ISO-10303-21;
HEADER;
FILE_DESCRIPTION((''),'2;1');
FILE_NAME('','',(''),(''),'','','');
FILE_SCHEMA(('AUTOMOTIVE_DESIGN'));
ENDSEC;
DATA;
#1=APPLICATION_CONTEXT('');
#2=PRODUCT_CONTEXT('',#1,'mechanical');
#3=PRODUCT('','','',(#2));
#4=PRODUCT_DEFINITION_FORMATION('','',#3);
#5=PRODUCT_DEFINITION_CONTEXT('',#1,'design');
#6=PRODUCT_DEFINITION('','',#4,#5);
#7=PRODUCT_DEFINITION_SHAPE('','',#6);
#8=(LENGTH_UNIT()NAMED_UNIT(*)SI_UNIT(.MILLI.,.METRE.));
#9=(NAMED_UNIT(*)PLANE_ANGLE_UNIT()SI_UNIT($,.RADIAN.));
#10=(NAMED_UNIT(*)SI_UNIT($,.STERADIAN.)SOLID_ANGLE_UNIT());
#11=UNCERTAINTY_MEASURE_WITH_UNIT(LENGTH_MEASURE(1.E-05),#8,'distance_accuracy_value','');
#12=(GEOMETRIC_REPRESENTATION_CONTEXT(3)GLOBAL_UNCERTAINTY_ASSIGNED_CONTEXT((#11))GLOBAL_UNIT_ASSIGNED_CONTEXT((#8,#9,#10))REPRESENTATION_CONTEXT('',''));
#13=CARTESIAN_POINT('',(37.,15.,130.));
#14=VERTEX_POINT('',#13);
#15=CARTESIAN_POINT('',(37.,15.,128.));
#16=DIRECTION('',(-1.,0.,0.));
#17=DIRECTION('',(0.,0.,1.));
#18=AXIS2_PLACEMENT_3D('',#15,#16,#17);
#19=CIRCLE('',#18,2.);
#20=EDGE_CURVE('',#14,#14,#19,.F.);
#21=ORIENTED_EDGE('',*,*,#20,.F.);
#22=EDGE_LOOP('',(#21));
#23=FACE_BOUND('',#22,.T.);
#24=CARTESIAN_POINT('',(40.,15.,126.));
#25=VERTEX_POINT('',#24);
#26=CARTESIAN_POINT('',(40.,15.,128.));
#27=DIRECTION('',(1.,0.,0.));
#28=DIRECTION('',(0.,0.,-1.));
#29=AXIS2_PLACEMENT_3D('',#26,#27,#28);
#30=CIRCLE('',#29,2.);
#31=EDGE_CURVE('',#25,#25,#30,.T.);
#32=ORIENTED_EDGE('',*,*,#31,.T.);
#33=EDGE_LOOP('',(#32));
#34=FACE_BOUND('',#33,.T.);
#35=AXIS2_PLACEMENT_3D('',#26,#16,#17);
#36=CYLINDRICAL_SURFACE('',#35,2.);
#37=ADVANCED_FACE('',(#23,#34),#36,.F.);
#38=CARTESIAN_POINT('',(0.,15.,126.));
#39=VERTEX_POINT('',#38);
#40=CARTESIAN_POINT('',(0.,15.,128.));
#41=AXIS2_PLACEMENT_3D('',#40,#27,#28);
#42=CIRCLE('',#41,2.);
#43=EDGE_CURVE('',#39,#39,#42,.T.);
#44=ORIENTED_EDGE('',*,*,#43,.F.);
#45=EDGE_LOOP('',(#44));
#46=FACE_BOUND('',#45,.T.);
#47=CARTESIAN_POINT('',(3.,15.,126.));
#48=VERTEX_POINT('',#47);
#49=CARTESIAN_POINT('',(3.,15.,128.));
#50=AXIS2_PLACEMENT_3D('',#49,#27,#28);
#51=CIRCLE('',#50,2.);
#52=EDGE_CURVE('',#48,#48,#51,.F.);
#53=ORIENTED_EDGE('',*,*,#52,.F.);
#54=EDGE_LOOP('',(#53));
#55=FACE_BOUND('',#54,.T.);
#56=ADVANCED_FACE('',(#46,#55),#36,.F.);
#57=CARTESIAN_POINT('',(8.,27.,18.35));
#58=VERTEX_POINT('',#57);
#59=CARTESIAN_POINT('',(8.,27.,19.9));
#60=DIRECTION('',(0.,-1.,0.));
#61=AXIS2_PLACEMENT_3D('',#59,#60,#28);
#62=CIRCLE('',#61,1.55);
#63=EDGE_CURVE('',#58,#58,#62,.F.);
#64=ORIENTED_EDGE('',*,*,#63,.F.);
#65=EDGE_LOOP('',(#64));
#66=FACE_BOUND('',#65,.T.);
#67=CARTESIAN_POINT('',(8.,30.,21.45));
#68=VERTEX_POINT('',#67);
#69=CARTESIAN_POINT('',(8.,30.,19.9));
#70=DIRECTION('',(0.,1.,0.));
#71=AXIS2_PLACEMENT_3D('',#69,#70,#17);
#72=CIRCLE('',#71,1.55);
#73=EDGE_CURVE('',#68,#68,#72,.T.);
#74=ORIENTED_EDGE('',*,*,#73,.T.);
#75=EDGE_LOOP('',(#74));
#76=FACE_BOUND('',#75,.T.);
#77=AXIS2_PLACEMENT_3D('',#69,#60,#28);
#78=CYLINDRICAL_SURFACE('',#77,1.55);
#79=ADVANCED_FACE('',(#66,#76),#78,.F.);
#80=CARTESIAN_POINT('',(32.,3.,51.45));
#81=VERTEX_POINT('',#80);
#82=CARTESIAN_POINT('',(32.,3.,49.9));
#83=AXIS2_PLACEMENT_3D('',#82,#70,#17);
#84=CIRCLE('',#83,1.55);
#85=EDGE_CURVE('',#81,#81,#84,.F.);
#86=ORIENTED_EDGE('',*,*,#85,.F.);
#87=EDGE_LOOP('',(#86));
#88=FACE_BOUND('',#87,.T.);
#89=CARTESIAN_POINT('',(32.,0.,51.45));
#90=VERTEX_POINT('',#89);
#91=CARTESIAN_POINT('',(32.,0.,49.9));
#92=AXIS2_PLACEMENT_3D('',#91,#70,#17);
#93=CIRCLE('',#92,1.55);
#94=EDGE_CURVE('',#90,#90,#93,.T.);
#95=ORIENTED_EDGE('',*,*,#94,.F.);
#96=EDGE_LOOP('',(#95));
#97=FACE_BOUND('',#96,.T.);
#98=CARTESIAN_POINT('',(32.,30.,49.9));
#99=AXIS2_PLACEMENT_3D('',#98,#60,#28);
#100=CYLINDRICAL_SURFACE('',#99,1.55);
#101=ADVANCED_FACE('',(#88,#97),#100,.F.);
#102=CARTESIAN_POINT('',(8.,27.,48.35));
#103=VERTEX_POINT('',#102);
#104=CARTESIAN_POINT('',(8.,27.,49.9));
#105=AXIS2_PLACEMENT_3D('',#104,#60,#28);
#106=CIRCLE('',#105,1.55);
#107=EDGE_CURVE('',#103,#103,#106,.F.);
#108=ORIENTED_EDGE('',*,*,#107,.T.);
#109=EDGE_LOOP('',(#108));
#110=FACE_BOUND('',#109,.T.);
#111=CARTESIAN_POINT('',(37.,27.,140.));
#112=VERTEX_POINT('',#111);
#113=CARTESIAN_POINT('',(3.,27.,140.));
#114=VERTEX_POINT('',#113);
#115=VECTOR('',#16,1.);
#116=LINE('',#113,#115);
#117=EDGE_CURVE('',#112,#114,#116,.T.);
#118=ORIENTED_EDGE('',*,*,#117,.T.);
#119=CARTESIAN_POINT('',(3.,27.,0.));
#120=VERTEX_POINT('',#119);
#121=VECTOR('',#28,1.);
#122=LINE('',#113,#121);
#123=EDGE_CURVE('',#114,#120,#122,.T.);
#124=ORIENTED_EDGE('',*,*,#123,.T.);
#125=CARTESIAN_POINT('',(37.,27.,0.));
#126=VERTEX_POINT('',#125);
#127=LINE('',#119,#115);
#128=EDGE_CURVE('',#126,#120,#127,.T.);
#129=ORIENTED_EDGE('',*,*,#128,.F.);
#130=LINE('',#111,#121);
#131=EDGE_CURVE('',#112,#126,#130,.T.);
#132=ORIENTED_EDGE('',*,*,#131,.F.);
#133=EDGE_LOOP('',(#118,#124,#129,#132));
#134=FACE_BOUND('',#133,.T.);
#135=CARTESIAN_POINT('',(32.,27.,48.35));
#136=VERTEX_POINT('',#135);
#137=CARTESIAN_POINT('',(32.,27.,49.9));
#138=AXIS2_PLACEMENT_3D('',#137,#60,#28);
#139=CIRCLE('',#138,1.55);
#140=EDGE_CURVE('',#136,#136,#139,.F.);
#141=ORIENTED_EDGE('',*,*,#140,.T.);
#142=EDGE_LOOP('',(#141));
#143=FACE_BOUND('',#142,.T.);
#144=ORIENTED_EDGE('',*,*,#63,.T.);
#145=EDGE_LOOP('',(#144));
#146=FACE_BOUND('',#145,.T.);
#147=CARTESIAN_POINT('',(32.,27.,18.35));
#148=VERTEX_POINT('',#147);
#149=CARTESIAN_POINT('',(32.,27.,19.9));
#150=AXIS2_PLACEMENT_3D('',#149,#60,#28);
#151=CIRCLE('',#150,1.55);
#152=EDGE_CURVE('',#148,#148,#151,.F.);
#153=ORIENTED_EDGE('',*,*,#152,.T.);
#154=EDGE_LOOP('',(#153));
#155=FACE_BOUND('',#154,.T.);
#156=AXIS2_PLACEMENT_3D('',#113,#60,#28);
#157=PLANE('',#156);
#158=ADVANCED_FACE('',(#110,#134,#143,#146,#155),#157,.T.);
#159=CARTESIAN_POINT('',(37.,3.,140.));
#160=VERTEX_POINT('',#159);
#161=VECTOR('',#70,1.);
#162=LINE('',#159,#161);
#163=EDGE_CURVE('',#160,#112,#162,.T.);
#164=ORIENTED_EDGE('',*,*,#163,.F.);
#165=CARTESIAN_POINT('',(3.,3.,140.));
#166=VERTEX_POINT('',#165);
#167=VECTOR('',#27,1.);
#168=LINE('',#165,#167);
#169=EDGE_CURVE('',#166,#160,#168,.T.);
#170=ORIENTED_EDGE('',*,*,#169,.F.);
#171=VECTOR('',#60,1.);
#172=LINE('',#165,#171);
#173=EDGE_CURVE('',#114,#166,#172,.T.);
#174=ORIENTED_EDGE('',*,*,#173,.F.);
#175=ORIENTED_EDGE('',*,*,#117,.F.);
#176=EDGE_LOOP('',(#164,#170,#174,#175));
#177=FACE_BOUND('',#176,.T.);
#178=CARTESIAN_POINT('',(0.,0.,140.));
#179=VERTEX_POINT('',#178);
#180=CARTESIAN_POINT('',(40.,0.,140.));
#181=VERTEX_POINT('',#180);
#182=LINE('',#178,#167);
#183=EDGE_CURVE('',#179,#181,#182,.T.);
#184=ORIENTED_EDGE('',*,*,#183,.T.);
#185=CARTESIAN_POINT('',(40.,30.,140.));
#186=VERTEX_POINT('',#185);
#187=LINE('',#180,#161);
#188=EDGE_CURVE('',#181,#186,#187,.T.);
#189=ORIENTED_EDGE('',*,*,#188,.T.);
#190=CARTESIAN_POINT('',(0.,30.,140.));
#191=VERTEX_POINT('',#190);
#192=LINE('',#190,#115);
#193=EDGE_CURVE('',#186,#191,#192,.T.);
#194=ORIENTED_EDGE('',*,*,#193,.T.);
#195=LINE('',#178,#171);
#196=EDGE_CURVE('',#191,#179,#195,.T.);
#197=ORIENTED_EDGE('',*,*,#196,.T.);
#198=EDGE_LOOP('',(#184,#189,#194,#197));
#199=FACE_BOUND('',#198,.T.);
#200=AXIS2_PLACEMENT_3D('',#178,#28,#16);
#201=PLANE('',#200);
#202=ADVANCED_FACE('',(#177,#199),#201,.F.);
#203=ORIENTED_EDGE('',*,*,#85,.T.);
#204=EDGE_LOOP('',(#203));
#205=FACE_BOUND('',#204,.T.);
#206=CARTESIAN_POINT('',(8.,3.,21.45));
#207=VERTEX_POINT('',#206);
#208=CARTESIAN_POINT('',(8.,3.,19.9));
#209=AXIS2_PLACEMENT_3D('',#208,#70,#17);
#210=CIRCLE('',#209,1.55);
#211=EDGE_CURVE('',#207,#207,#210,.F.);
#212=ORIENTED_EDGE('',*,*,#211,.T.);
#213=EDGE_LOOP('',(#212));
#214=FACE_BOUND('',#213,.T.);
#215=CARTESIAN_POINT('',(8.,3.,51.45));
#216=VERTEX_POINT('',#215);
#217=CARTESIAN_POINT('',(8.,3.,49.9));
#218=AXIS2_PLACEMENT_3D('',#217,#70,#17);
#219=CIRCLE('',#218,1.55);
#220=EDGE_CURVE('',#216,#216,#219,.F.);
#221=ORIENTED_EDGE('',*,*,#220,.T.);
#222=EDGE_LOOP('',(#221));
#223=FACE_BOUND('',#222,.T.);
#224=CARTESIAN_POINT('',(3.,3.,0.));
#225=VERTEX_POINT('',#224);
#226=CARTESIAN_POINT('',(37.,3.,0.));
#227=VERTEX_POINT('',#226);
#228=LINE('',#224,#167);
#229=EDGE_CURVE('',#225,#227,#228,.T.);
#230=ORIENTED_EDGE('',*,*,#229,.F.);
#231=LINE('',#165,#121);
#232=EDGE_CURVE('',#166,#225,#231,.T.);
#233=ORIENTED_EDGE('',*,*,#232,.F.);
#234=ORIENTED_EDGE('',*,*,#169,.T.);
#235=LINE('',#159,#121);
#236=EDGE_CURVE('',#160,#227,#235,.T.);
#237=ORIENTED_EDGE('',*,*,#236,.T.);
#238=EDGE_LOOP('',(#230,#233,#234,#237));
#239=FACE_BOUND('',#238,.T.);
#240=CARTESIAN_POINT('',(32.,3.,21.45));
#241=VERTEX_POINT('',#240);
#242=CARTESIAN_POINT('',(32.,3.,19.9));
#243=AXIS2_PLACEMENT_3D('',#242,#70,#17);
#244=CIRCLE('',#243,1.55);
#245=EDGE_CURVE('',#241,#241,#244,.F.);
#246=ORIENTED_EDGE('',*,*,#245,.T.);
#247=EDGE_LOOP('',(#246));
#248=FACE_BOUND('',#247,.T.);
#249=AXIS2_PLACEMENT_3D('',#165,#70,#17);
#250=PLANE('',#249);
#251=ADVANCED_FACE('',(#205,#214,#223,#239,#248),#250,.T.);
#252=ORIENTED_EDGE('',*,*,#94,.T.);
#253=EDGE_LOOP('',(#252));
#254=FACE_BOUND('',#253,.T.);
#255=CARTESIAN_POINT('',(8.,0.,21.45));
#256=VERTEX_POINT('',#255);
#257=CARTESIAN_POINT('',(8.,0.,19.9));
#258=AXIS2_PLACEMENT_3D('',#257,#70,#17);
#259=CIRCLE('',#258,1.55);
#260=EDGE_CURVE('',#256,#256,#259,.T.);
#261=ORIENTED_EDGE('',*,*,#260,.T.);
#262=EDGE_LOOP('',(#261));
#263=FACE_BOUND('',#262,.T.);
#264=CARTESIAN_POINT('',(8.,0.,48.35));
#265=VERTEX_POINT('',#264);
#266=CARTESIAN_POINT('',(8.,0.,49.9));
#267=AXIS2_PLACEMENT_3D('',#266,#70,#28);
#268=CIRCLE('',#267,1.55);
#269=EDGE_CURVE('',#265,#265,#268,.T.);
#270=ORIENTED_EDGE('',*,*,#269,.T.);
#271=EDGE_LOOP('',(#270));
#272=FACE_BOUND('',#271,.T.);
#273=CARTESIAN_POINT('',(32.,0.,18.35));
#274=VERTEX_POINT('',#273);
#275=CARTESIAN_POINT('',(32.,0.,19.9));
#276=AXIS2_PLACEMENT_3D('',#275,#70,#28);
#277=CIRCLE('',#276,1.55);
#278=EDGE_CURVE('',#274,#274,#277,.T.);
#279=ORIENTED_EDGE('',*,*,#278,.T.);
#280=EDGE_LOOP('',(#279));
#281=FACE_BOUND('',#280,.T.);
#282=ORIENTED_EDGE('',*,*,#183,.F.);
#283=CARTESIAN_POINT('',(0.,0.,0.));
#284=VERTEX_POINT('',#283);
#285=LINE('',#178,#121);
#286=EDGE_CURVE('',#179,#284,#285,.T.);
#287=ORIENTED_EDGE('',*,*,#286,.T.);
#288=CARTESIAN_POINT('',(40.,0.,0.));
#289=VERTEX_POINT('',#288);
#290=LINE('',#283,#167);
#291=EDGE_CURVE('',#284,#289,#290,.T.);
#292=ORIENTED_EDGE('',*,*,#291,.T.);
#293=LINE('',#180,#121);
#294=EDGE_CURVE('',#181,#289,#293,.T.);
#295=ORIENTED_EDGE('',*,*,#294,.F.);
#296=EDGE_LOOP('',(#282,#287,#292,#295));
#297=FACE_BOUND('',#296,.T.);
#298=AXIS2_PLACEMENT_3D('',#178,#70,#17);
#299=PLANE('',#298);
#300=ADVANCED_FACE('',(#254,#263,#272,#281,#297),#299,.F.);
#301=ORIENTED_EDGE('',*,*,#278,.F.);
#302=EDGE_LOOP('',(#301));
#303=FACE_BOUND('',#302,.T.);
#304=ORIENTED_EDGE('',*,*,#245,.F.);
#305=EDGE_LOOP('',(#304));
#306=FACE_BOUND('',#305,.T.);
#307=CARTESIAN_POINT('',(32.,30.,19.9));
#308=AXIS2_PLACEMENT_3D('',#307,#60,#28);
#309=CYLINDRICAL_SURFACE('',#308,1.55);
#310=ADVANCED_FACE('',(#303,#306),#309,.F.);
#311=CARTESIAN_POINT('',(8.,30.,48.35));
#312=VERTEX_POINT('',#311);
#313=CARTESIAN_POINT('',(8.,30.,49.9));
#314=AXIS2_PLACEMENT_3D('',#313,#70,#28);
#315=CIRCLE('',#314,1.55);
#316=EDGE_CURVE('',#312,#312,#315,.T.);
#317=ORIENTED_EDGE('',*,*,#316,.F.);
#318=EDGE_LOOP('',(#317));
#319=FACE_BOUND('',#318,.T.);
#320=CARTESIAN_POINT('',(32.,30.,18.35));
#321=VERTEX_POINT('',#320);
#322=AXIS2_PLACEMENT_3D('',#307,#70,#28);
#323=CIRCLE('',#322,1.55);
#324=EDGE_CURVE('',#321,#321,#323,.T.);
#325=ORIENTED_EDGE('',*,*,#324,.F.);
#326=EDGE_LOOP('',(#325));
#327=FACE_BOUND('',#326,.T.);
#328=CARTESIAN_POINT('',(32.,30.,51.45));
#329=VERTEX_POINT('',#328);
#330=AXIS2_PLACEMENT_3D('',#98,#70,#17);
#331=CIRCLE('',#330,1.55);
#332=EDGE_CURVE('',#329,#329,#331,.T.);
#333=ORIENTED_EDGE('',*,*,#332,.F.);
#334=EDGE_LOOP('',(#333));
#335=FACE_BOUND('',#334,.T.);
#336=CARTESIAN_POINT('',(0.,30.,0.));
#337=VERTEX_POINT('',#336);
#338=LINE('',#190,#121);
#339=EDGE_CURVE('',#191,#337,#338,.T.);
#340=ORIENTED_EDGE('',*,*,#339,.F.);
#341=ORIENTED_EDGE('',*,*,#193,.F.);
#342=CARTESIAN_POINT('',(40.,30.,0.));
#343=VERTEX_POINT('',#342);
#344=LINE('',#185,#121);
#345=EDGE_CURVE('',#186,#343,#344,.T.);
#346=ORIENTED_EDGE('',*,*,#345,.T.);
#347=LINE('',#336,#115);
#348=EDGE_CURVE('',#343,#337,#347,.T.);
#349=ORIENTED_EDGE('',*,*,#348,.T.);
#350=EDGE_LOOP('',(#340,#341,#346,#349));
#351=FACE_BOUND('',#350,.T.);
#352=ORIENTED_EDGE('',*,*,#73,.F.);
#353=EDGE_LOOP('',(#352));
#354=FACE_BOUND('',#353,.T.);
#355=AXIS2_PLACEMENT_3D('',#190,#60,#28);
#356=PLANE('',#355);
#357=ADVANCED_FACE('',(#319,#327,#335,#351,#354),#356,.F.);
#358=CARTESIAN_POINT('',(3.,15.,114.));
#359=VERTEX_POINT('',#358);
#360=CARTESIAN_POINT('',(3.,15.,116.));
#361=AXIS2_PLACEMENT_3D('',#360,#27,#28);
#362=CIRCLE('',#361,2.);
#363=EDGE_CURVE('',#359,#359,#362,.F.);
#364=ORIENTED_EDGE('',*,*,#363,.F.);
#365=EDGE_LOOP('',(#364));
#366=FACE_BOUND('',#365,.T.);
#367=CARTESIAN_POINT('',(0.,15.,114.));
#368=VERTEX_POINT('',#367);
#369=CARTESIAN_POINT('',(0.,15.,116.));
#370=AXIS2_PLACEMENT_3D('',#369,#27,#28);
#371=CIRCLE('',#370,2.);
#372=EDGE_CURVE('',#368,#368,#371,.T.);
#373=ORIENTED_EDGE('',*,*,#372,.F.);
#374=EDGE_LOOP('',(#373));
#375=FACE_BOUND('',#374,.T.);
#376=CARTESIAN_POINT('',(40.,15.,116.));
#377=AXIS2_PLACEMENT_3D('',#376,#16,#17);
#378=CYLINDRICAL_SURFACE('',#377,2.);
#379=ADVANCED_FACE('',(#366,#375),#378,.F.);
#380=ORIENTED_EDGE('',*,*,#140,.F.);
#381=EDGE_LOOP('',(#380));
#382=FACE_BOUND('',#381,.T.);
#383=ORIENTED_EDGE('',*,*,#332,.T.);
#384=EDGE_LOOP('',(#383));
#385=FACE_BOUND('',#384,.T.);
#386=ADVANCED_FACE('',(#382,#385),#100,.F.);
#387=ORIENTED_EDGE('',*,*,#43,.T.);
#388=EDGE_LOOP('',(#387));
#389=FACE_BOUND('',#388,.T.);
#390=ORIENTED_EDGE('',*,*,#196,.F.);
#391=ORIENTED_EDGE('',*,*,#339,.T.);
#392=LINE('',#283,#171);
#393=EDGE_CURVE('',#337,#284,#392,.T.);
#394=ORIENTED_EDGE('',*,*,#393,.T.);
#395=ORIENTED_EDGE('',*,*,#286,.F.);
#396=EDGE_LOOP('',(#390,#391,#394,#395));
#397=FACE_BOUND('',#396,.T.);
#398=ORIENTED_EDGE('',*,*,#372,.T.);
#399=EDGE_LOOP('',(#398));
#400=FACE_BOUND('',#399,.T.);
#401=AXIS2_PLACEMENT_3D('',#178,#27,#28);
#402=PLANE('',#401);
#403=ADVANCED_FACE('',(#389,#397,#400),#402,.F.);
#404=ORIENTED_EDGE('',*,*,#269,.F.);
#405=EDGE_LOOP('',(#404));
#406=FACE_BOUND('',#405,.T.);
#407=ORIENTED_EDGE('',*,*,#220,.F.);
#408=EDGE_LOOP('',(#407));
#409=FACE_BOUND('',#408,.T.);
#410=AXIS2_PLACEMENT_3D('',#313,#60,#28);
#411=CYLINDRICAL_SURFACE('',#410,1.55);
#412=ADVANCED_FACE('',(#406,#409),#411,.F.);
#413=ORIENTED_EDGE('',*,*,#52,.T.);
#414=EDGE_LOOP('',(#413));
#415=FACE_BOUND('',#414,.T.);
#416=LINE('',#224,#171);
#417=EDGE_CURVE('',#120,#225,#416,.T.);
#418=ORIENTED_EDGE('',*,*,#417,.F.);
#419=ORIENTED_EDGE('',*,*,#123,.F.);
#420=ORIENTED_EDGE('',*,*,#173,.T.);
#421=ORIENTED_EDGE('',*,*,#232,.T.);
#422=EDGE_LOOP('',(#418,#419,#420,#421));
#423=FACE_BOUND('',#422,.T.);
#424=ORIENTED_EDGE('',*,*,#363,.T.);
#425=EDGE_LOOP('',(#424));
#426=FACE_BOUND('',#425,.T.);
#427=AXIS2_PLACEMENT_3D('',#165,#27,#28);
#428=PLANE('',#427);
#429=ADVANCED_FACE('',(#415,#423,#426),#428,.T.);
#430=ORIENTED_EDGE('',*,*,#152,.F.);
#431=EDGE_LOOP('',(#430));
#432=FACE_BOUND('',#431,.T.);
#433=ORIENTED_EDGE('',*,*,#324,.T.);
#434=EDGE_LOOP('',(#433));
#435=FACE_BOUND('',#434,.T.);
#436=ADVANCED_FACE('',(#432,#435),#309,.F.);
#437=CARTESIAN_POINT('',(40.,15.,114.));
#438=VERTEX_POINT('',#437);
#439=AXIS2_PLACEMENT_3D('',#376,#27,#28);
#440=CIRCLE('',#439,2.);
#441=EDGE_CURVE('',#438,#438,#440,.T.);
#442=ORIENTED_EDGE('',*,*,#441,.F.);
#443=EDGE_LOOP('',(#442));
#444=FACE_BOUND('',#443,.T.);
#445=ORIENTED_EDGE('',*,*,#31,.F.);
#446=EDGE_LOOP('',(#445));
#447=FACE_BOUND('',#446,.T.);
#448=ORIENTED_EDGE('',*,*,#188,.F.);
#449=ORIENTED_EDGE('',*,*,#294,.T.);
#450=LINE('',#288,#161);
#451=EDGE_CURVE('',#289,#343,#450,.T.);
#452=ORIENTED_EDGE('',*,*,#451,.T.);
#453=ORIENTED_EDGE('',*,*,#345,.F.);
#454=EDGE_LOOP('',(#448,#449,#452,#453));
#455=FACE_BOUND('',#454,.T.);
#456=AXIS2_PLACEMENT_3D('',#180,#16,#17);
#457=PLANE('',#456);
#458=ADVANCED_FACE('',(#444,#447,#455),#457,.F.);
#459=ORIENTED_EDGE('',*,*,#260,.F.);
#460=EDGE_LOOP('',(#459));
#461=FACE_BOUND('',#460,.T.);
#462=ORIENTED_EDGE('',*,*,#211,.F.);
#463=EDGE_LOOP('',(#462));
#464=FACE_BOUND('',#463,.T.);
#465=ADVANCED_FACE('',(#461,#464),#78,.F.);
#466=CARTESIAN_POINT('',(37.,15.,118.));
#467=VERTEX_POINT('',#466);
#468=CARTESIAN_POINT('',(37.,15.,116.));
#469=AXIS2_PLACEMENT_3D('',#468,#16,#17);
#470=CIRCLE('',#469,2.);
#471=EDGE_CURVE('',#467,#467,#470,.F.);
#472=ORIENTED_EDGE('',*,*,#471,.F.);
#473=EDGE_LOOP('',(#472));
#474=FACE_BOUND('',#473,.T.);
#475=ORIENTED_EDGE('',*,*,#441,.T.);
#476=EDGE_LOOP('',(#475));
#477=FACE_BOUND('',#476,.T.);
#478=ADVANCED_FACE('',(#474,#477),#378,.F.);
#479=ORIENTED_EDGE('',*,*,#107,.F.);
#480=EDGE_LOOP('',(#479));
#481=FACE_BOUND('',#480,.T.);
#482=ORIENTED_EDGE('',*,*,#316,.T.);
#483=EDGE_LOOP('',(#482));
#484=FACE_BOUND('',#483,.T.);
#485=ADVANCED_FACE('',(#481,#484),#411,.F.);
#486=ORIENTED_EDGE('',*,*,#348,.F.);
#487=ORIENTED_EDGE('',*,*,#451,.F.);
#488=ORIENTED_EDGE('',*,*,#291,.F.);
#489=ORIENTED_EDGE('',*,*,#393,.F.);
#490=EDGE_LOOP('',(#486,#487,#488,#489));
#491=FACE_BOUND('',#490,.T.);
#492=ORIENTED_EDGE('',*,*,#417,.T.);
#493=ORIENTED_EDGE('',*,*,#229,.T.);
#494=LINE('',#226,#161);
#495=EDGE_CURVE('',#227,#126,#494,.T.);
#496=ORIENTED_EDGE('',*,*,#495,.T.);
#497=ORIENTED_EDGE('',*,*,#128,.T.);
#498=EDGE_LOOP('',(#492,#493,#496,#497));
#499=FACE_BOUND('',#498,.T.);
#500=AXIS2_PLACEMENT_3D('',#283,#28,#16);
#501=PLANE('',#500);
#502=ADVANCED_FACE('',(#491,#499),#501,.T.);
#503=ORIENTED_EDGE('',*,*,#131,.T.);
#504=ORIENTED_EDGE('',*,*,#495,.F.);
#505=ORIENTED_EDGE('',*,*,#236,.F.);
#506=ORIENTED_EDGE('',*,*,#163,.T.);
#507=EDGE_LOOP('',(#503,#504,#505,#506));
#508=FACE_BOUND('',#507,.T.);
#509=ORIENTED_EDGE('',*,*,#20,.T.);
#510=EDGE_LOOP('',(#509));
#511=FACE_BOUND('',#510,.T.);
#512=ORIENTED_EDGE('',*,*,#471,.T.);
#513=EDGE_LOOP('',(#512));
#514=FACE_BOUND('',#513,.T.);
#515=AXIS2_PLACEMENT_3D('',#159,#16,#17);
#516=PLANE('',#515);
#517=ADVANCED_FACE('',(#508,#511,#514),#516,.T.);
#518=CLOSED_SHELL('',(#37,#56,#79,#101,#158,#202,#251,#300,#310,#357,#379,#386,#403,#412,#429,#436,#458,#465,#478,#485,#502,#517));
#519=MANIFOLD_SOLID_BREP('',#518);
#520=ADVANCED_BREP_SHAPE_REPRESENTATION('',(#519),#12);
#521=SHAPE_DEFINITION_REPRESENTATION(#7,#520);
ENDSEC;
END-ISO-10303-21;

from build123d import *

# Parameters (mm, degrees)
SKETCH_1_W          = 40
SKETCH_1_H          = 30
SKETCH_1_W_2        = 34
SKETCH_1_H_2        = 24
EXTRUDE_1_DEPTH     = 140
SKETCH_2_R          = 2
CUT_EXTRUDE_1_DEPTH = 149.660687473
SKETCH_3_R          = 1.55
CUT_EXTRUDE_2_DEPTH = 149.660687473


with BuildPart() as part:
    # 草图1 → 凸台-拉伸1 (new body)
    with BuildSketch(Plane.XY):
        with Locations((20, 15)):
            Rectangle(SKETCH_1_W, SKETCH_1_H)
        with Locations((20, 15)):
            Rectangle(SKETCH_1_W_2, SKETCH_1_H_2, mode=Mode.SUBTRACT)
    extrude(amount=EXTRUDE_1_DEPTH)

    # 草图2 → 切除-拉伸1 (cut, through all)
    with BuildSketch(Plane(origin=(0, 0, 0), x_dir=(0, 0, -1), z_dir=(1, 0, 0))):
        with Locations(Location((-116, 15, 0), (0, 0, 180))):
            Circle(SKETCH_2_R)
        with Locations(Location((-128, 15, 0), (0, 0, 180))):
            Circle(SKETCH_2_R)
    extrude(amount=CUT_EXTRUDE_1_DEPTH, mode=Mode.SUBTRACT)

    # 草图3 → 切除-拉伸2 (cut, through all)
    with BuildSketch(Plane(origin=(0, 0, 0), x_dir=(1, 0, 0), z_dir=(0, 1, 0))):
        with Locations(Location((8, -19.9, 0), (0, 0, 90))):
            Circle(SKETCH_3_R)
        with Locations(Location((32, -19.9, 0), (0, 0, 90))):
            Circle(SKETCH_3_R)
        with Locations(Location((32, -49.9, 0), (0, 0, 90))):
            Circle(SKETCH_3_R)
        with Locations(Location((8, -49.9, 0), (0, 0, 90))):
            Circle(SKETCH_3_R)
    extrude(amount=CUT_EXTRUDE_2_DEPTH, mode=Mode.SUBTRACT)


solid = part.part
